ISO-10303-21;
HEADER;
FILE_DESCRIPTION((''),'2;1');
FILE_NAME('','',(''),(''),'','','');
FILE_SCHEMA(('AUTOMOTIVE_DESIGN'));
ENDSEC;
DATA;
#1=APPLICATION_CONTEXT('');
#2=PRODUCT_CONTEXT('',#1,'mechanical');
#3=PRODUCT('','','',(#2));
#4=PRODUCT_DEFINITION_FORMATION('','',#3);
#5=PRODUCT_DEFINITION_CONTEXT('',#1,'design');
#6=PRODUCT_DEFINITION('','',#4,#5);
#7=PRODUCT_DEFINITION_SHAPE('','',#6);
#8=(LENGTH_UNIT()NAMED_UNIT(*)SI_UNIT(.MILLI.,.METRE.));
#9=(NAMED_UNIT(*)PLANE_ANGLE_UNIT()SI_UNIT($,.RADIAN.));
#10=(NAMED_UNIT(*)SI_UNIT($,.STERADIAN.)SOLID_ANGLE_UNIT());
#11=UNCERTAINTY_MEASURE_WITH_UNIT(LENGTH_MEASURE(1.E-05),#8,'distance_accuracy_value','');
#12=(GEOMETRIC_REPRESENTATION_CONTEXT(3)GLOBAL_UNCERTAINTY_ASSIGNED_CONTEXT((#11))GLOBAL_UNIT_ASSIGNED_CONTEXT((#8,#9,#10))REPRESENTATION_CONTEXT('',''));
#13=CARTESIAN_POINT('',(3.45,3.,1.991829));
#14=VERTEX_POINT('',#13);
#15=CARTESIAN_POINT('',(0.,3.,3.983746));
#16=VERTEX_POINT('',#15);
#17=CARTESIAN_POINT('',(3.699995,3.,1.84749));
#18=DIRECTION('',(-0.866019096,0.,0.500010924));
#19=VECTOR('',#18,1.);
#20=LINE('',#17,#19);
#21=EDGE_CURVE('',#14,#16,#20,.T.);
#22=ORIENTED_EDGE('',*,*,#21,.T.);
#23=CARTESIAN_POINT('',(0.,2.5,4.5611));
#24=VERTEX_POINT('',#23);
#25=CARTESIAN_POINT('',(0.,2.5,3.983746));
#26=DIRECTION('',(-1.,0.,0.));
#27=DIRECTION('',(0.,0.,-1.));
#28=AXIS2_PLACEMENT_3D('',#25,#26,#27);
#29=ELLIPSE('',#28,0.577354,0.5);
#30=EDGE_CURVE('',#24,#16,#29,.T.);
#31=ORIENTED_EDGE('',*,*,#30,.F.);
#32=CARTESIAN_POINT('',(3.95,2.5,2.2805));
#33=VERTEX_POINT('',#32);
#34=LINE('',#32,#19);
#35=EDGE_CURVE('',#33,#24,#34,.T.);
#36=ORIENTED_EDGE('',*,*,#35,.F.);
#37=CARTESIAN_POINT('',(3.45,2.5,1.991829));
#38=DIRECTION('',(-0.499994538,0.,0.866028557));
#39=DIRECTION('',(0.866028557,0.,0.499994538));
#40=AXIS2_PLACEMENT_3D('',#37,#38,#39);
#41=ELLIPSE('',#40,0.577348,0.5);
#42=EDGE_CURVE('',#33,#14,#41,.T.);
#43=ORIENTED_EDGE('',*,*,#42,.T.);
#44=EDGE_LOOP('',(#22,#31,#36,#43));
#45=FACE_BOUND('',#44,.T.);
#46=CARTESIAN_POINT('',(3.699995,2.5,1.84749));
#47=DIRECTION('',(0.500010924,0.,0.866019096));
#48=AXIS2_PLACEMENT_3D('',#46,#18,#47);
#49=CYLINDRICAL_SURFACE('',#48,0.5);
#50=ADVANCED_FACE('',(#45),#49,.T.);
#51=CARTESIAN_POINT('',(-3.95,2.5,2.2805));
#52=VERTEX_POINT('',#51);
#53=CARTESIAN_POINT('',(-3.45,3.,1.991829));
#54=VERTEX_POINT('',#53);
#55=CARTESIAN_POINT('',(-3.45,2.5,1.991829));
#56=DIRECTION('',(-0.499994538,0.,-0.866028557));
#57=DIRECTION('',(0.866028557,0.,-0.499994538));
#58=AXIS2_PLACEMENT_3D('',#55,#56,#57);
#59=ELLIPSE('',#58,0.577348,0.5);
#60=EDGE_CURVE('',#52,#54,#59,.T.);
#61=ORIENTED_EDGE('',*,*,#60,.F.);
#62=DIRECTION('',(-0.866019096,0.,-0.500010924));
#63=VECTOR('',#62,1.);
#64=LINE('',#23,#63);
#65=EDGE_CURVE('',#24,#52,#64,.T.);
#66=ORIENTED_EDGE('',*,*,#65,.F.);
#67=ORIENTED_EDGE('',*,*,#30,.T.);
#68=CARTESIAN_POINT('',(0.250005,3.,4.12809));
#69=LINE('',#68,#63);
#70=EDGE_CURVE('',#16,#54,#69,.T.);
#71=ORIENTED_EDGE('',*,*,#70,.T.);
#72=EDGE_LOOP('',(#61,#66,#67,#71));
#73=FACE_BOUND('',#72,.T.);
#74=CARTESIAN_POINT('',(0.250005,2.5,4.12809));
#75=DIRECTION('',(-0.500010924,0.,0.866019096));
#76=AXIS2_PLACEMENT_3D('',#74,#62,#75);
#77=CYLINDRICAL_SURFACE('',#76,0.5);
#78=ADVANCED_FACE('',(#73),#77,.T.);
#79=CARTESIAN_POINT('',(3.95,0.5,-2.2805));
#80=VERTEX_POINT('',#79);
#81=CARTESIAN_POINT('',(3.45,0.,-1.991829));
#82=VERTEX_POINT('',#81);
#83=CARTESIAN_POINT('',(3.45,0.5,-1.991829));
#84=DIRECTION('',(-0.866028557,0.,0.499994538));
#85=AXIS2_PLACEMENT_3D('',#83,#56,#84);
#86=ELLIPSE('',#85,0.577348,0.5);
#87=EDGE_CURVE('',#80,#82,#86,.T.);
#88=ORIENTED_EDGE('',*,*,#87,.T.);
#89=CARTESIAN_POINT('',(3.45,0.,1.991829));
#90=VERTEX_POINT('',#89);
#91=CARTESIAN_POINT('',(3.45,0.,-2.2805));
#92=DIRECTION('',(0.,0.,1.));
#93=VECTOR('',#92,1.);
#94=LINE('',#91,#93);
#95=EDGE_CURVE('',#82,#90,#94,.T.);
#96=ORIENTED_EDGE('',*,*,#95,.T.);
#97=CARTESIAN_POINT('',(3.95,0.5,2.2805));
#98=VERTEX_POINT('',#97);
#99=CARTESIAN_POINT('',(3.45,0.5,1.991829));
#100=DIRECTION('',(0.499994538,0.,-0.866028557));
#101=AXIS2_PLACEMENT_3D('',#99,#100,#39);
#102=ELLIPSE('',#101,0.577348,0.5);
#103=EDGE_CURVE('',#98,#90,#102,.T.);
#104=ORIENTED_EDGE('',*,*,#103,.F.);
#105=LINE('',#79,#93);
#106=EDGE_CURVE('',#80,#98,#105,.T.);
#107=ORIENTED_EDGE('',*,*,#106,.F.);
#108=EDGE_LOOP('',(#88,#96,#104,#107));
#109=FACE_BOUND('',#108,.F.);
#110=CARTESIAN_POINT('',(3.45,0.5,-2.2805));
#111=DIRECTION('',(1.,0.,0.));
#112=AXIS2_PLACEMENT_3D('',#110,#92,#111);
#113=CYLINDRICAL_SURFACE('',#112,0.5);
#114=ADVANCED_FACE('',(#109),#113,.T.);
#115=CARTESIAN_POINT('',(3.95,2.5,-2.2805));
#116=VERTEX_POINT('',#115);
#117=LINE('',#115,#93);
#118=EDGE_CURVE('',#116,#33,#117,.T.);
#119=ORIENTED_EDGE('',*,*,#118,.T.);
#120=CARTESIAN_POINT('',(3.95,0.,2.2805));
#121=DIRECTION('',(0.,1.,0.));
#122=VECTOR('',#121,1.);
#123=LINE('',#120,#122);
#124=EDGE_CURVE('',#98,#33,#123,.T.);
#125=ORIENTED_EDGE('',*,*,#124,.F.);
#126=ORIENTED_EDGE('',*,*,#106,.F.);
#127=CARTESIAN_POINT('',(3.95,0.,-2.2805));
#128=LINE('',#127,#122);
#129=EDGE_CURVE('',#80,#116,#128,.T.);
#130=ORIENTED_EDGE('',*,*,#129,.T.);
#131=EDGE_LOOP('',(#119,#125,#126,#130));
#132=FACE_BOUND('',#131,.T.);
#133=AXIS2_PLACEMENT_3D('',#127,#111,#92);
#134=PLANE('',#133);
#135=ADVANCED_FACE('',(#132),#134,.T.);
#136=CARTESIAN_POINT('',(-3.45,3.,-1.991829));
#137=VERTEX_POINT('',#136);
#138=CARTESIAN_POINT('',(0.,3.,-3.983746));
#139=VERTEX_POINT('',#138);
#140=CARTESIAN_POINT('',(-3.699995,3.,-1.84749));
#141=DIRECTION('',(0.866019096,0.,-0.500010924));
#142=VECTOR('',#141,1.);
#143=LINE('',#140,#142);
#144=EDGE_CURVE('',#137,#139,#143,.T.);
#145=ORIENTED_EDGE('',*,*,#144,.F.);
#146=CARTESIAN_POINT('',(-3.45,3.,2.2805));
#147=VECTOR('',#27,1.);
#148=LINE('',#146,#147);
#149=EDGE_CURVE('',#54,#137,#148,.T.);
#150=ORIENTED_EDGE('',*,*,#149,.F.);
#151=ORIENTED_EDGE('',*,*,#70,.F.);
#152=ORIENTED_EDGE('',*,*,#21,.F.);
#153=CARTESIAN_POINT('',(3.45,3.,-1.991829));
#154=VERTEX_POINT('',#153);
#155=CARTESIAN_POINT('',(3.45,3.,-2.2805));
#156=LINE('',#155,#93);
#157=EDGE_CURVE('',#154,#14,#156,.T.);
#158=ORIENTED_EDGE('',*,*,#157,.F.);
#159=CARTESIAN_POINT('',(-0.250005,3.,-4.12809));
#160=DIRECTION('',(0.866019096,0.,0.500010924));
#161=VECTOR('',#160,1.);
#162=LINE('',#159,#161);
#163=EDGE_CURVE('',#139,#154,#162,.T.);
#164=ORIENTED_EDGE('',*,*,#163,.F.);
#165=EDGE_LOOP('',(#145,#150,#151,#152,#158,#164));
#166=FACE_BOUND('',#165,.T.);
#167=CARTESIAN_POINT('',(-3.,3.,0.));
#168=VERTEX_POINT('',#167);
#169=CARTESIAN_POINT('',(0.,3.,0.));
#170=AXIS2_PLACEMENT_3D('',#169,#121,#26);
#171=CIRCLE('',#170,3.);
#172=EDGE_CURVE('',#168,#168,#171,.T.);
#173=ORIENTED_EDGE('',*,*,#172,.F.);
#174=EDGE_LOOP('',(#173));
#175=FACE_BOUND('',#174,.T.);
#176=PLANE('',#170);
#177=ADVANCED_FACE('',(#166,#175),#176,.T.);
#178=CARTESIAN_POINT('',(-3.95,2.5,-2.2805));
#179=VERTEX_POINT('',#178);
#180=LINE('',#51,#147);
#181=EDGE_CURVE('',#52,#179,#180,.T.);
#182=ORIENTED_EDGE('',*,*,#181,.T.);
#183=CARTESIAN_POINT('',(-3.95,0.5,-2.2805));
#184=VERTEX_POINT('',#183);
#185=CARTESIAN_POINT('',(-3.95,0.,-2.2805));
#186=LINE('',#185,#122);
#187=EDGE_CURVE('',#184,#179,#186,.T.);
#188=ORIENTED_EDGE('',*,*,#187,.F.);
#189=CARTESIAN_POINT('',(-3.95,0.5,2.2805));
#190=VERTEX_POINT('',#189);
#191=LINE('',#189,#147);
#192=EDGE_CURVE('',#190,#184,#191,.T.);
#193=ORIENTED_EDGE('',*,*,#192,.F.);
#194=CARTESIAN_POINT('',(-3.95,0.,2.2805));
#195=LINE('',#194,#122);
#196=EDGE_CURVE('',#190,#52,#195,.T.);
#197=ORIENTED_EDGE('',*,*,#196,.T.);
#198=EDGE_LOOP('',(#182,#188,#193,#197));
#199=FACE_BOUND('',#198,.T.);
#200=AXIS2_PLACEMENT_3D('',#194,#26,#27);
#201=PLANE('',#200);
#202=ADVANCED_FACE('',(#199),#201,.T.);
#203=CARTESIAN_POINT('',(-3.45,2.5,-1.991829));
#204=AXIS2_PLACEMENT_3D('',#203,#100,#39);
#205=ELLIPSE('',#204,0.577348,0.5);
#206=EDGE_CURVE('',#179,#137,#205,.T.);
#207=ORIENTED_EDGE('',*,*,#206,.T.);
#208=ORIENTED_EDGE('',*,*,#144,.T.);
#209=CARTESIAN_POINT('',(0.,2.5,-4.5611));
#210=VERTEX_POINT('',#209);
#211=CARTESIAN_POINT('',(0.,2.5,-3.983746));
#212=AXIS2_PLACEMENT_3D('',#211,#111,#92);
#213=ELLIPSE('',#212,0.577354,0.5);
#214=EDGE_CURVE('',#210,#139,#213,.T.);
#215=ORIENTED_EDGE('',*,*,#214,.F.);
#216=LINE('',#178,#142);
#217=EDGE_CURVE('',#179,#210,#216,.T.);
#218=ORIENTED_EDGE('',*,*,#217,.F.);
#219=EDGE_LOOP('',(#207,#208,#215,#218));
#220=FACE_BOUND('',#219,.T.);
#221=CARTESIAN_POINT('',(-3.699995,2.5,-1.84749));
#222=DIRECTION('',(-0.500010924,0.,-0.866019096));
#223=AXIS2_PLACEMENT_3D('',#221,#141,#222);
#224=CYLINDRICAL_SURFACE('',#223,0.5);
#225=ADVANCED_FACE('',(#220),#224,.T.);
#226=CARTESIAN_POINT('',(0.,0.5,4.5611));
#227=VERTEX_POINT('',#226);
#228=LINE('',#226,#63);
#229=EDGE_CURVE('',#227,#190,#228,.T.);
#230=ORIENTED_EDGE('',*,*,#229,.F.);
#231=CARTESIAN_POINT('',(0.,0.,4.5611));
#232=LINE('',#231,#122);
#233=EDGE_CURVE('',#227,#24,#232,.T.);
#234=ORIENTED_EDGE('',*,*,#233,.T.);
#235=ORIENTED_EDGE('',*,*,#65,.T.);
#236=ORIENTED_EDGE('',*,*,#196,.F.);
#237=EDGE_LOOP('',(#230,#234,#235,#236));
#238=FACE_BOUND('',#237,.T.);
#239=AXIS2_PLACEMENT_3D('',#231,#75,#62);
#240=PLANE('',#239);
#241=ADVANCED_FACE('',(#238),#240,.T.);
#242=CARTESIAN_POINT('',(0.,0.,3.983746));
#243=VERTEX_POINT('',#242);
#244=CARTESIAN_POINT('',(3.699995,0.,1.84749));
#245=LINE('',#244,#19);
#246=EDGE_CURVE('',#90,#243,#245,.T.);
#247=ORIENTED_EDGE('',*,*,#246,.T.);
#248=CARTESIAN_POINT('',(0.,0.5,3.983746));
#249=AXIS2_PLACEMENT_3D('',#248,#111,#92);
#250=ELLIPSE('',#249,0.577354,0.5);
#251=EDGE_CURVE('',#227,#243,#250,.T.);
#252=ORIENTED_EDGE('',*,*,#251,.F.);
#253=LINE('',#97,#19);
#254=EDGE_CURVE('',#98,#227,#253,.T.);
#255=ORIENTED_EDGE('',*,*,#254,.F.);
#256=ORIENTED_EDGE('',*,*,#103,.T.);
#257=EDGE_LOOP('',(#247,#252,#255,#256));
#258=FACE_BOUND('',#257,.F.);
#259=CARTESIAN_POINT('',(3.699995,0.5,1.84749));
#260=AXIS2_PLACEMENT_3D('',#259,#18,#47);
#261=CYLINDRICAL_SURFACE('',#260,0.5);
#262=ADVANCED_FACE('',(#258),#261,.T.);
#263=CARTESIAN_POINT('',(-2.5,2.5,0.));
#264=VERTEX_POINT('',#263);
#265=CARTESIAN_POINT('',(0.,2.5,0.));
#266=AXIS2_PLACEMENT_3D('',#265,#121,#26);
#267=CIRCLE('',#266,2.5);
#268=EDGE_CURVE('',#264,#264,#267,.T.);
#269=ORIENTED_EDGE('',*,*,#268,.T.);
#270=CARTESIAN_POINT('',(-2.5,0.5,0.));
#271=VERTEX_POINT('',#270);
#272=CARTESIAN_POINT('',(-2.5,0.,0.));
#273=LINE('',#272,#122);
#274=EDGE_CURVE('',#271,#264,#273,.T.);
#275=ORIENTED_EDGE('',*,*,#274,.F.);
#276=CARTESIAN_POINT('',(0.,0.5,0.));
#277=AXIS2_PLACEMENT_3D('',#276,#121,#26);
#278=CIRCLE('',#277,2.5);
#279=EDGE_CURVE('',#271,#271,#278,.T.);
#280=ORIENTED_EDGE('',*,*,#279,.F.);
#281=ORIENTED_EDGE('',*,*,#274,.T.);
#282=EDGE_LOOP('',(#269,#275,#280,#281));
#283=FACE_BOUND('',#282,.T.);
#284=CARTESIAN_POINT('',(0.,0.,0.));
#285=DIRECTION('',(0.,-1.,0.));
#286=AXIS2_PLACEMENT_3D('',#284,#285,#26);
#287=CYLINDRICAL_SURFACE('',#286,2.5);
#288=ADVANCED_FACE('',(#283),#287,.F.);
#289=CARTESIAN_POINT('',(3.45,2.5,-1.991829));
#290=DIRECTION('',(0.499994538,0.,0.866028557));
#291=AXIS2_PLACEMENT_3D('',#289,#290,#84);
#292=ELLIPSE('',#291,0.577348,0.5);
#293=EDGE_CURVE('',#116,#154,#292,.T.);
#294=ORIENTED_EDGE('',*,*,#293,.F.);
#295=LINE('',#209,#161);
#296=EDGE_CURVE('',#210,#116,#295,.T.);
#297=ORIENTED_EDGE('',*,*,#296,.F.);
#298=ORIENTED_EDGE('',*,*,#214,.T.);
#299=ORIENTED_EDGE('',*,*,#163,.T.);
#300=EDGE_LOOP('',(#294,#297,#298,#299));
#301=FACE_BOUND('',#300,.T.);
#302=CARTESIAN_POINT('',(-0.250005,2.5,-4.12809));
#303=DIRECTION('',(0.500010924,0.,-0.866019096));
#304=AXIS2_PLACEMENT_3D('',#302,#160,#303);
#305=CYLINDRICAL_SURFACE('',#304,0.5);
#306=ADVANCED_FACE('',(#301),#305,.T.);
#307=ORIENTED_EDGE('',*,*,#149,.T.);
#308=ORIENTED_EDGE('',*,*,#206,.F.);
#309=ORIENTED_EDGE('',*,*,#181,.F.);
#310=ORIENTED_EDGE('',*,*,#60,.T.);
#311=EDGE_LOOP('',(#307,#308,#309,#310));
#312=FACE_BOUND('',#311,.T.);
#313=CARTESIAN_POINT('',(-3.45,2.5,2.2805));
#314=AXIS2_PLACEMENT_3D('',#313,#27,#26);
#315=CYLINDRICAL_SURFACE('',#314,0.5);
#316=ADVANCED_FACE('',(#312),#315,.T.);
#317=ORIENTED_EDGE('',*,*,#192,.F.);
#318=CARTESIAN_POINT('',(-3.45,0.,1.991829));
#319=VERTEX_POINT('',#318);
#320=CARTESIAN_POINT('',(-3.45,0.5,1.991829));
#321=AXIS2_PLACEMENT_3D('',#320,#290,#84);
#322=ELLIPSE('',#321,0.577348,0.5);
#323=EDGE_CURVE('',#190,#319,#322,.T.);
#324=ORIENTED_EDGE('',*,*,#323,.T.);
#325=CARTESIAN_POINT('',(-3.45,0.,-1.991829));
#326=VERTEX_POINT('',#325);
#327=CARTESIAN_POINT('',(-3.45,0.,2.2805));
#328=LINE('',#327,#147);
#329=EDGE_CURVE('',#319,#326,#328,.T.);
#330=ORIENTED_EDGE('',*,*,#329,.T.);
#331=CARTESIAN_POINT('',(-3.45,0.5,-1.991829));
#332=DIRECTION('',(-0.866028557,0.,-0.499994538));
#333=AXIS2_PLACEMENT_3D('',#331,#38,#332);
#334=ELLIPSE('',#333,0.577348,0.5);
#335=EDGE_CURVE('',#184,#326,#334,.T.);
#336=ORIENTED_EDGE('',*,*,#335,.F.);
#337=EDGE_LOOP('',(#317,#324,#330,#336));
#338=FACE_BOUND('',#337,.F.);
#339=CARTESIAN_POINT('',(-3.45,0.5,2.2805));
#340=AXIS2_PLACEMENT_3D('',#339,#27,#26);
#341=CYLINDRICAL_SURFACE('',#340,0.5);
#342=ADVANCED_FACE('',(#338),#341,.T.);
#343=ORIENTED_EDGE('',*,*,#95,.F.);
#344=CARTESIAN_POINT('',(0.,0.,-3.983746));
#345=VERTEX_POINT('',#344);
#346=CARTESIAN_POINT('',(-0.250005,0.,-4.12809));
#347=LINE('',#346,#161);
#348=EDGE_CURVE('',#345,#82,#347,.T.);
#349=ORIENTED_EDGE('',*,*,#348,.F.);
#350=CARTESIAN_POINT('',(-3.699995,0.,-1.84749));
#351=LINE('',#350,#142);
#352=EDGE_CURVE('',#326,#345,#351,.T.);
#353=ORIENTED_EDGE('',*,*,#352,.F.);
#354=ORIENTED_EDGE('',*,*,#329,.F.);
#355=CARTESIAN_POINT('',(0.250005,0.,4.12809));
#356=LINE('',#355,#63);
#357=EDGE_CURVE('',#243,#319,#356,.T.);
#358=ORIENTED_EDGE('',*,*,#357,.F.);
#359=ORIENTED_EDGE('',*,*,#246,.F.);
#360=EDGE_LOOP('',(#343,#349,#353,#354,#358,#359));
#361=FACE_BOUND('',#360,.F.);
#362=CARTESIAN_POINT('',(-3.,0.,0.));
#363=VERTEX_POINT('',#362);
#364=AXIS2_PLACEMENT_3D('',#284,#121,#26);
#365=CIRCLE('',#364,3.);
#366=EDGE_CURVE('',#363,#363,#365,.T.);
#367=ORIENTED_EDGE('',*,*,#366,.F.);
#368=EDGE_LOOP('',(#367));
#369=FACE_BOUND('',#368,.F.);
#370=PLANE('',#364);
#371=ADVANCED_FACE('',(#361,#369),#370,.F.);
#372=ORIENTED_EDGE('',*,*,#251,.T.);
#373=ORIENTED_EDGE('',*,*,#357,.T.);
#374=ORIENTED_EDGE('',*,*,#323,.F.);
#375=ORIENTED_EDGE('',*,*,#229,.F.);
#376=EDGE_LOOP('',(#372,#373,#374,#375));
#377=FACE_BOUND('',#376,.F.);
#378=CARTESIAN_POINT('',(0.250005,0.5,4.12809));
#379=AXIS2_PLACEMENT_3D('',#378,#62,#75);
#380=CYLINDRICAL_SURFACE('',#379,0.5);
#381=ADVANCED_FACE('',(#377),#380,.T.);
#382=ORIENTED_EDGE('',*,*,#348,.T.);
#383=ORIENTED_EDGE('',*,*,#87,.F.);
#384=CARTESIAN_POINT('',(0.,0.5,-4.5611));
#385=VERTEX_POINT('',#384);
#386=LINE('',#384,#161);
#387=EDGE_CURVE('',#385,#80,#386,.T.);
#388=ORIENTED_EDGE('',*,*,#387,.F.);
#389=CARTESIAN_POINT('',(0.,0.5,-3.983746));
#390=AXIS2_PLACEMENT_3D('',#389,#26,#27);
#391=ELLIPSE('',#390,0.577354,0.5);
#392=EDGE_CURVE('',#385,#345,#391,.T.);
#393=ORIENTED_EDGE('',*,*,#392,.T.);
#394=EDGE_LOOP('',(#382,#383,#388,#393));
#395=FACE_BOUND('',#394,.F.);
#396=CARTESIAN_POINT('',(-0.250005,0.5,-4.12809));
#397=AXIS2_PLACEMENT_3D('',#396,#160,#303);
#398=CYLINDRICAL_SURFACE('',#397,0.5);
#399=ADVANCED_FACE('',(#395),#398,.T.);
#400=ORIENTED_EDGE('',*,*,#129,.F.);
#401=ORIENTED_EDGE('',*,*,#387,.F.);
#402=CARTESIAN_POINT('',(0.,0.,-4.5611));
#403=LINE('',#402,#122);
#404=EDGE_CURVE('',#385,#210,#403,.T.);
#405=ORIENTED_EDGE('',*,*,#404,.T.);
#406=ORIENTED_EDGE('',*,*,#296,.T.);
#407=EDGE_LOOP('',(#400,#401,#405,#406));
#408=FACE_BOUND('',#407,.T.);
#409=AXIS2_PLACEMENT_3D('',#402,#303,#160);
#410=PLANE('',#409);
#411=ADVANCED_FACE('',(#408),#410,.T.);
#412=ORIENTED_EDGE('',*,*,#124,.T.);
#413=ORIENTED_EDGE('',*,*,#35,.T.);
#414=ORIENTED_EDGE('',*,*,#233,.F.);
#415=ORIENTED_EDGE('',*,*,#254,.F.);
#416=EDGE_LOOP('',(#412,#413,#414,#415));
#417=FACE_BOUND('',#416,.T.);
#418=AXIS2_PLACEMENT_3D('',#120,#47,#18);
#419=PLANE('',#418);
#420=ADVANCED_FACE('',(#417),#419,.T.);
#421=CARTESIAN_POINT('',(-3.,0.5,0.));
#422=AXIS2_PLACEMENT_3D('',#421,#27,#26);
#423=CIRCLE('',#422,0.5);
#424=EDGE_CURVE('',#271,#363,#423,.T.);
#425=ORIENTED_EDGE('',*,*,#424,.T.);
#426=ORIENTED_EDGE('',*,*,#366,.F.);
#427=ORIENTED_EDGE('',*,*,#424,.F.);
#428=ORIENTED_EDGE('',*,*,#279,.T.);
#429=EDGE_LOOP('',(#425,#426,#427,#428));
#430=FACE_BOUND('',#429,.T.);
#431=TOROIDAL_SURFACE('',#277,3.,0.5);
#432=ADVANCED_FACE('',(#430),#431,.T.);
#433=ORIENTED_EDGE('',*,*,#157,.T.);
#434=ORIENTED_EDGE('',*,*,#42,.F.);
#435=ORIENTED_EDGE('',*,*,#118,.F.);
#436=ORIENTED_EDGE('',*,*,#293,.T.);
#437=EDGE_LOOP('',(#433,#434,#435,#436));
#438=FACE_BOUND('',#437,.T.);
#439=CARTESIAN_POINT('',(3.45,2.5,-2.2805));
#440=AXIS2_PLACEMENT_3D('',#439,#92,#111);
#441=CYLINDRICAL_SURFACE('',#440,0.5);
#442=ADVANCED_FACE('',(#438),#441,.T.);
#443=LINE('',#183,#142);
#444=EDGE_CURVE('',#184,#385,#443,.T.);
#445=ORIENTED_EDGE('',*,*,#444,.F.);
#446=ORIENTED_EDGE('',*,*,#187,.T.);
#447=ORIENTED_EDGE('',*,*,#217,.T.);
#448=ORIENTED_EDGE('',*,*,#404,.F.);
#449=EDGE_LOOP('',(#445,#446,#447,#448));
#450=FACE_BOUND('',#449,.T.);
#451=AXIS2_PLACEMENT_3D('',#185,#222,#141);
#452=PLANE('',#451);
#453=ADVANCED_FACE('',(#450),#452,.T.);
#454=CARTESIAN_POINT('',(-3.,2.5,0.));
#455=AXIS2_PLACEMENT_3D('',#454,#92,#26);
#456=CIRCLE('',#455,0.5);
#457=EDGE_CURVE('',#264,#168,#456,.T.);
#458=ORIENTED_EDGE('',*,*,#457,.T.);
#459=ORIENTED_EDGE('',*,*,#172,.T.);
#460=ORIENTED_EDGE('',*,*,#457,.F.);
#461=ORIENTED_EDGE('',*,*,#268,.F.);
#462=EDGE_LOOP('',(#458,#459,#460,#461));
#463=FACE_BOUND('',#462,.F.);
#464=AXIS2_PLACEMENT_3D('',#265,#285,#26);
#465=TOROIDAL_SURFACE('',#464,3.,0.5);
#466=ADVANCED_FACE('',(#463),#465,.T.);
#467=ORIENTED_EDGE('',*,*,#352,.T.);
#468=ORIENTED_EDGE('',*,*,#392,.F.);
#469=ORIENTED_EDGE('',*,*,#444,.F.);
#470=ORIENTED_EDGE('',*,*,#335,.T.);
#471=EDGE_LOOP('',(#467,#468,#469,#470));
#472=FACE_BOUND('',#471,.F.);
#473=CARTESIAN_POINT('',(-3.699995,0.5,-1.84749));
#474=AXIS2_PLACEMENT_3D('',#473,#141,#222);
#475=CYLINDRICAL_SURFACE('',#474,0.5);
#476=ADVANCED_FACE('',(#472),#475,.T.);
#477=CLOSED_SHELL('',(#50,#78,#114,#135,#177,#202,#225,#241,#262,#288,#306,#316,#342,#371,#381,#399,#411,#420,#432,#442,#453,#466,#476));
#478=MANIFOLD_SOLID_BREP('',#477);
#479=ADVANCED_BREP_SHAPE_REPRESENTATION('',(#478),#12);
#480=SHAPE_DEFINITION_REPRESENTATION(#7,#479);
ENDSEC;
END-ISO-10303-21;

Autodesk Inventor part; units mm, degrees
ref_plane "YZ Plane" through (0, 0, 0) normal (1, 0, 0) x (0, 1, 0)
ref_plane "XZ Plane" through (0, 0, 0) normal (0, 1, 0) x (-1, 0, 0)
ref_plane "XY Plane" through (0, 0, 0) normal (0, 0, 1) x (1, 0, 0)
sketch "Sketch1" plane through (0, 0, 0) normal (0, 1, 0) x (-1, 0, 0)
  line L0 (3.95, -2.2805) -> (0, -4.5611)
  line L1 (0, -4.5611) -> (-3.95, -2.2805)
  line L2 (-3.95, -2.2805) -> (-3.95, 2.2805)
  line L3 (-3.95, 2.2805) -> (0, 4.5611)
  line L4 (0, 4.5611) -> (3.95, 2.2805)
  line L5 (3.95, 2.2805) -> (3.95, -2.2805)
  circle A0 centre (0, 0) radius 2.5
  dimension "d0" = 3.95
  dimension "d1" = 5
extrude "Extrusion1" add sketch "Sketch1" along normal blind 3
fillet "Fillet1" radius 0.5 14 edges at (3.95, 3, 0) (1.975, 3, -3.4208) (-1.975, 3, -3.4208) (-3.95, 3, 0) (-1.975, 3, 3.4208) (1.975, 3, 3.4208) (3.95, 0, 0) (1.975, 0, 3.4208) (-1.975, 0, 3.4208) (-3.95, 0, 0) (-1.975, 0, -3.4208) (1.975, 0, -3.4208) (2.5, 0, 0) (2.5, 3, 0)
thread "Thread1" size "M5x0.8" class "6H" standard "ANSI Metric M Profile" full length
properties part number "M5 Nut Silver"
